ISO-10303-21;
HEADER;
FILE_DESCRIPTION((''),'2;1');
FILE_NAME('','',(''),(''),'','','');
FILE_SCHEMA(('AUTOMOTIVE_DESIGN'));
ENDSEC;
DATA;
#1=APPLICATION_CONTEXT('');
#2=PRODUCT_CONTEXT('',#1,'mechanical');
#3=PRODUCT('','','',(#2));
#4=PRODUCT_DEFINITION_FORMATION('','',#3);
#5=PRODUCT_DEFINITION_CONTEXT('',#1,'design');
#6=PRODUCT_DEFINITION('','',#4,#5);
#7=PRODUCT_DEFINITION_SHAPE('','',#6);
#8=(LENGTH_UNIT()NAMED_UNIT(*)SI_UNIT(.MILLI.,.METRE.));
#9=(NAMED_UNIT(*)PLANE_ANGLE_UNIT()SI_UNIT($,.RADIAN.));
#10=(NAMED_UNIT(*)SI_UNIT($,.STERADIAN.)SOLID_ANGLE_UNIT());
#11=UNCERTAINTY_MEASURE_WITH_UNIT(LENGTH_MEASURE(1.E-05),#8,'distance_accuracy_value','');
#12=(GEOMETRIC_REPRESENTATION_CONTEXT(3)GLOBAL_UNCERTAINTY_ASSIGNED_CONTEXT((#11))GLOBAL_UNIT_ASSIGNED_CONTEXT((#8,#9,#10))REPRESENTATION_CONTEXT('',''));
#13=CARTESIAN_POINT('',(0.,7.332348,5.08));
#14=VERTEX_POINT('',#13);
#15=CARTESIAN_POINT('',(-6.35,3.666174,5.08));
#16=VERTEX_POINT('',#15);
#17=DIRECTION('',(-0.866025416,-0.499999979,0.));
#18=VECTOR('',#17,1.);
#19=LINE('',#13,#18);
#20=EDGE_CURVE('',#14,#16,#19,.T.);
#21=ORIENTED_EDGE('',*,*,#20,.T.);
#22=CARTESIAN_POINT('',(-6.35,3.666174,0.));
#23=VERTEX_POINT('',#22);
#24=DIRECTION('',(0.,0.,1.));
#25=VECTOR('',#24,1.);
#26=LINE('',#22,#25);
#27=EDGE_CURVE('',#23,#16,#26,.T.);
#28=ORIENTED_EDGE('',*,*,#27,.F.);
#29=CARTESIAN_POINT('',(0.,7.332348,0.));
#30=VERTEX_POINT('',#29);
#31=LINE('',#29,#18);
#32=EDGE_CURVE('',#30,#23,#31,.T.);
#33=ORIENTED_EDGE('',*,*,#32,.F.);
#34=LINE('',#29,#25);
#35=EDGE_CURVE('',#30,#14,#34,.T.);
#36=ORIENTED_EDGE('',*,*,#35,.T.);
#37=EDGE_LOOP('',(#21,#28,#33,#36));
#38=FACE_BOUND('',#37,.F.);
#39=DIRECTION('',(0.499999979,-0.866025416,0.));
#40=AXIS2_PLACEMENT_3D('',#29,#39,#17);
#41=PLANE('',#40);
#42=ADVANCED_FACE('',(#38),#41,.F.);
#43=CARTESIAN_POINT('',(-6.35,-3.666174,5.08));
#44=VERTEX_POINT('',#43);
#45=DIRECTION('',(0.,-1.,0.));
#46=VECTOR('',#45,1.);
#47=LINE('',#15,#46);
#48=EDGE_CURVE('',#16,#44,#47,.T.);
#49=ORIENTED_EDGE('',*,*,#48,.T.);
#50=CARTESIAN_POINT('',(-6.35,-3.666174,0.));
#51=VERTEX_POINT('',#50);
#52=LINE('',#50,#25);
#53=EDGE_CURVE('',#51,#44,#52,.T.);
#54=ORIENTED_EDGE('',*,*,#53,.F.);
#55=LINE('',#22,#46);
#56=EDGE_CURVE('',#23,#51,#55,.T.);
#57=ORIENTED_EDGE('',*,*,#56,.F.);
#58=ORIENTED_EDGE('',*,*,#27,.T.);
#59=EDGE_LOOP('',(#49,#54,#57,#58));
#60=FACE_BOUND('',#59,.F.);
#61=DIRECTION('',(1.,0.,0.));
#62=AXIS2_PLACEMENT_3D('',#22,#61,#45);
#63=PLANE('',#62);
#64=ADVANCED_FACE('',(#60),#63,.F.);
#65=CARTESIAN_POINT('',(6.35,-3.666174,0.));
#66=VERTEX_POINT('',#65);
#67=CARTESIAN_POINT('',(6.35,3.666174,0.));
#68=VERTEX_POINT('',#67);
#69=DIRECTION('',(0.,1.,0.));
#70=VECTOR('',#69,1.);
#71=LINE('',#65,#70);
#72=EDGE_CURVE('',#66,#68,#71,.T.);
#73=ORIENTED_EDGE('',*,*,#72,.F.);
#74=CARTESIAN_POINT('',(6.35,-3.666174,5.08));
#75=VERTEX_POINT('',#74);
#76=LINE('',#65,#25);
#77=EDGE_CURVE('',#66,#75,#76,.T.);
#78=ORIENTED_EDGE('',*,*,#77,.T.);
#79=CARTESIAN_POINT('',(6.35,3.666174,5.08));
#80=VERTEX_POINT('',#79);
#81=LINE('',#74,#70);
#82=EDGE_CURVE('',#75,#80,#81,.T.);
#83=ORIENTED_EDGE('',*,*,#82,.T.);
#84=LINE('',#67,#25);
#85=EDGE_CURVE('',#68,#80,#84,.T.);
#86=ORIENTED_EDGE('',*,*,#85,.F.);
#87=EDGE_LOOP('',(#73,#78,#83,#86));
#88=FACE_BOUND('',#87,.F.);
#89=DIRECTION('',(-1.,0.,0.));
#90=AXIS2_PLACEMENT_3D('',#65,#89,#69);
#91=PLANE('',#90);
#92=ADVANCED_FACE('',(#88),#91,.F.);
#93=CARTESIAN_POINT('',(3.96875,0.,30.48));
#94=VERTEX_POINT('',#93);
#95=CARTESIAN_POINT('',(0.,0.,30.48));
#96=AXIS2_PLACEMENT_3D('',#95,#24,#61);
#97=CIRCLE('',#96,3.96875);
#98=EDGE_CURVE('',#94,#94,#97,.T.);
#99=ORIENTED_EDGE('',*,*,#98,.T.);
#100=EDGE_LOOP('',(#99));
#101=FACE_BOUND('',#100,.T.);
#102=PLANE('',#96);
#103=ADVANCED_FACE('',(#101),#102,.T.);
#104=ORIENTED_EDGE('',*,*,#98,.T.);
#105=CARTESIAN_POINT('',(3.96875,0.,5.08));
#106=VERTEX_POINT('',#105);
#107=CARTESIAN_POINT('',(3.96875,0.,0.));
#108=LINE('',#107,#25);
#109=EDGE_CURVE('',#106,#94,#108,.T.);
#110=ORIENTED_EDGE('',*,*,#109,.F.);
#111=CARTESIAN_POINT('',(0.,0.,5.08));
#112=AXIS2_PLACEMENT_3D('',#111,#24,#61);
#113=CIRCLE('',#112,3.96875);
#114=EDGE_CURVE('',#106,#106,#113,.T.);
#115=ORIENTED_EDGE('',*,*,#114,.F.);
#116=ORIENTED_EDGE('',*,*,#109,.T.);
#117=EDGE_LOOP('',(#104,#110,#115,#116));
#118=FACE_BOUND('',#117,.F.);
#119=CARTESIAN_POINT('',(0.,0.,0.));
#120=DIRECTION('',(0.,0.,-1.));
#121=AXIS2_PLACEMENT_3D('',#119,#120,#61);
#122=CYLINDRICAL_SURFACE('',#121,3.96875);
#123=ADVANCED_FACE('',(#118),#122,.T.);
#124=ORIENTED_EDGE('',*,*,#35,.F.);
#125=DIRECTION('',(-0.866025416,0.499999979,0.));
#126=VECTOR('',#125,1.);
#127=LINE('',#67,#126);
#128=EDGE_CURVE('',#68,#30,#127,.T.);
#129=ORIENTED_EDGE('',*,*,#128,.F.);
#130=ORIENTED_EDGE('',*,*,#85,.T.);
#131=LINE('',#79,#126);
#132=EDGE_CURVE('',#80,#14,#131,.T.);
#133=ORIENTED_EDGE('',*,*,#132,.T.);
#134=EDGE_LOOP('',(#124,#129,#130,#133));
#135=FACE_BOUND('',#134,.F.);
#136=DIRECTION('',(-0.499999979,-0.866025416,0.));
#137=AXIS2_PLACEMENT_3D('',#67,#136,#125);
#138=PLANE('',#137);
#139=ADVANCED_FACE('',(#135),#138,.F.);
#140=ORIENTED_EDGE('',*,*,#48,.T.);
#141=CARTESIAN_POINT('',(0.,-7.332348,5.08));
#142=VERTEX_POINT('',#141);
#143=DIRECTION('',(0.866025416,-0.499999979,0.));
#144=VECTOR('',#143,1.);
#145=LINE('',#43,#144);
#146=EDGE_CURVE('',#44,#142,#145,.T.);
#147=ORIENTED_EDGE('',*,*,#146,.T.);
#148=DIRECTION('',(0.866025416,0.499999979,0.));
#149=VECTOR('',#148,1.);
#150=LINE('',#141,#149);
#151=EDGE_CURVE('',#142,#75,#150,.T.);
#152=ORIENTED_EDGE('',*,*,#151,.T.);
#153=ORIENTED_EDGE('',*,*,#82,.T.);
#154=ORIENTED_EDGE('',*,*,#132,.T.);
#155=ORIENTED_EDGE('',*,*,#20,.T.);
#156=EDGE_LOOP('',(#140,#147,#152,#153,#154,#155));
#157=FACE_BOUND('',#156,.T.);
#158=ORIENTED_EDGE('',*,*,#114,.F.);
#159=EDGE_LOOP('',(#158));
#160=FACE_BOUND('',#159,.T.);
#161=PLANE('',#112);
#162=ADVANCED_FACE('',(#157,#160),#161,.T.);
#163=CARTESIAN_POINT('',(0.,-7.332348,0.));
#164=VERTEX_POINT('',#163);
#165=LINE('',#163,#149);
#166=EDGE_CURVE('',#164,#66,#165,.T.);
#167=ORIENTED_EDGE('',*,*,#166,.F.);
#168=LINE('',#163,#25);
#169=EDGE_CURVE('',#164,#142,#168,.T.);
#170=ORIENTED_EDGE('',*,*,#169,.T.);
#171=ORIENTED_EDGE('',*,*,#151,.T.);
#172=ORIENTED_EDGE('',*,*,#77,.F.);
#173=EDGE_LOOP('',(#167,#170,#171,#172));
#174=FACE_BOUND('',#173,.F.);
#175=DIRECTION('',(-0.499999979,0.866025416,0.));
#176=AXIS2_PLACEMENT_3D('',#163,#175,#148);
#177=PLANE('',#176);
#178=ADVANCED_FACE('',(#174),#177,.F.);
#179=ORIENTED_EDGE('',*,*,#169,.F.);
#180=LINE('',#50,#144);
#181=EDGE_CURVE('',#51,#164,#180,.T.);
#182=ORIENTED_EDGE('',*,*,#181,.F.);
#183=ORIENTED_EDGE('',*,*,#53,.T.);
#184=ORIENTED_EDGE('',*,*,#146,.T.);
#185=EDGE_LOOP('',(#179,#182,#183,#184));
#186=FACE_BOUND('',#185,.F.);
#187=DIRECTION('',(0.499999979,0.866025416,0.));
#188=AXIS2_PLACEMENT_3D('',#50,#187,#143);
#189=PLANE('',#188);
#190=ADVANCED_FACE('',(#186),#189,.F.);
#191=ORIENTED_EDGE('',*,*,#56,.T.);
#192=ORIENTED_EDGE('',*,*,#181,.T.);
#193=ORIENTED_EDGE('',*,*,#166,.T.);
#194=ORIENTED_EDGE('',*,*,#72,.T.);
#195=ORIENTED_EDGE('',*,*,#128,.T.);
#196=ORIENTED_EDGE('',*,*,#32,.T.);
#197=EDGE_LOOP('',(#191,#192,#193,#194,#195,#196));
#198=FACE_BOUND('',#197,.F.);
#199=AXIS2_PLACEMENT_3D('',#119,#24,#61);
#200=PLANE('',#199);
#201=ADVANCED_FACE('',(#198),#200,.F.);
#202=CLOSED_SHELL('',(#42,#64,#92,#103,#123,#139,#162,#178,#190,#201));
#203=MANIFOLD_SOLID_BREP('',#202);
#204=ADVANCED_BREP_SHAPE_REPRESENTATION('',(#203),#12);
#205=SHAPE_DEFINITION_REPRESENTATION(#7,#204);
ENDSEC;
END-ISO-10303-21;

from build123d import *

# Parameters (mm, degrees)
F0_R     = 3.96875
F1_DEPTH = 5.08
F2_DEPTH = 30.48


with BuildPart() as f1:
    # F0 (on Top) → F1 (new body)
    with BuildSketch(Plane.XY):
        Polygon((6.35, -3.666174), (6.35, 3.666174), (0, 7.332348), (-6.35, 3.666174), (-6.35, -3.666174), (0, -7.332348), align=None)
        Circle(F0_R, mode=Mode.SUBTRACT)
    extrude(amount=F1_DEPTH)

    # F0 (on Top) → F2 (join)
    with BuildSketch(Plane.XY):
        Circle(F0_R)
    extrude(amount=F2_DEPTH)


solid = f1.part
